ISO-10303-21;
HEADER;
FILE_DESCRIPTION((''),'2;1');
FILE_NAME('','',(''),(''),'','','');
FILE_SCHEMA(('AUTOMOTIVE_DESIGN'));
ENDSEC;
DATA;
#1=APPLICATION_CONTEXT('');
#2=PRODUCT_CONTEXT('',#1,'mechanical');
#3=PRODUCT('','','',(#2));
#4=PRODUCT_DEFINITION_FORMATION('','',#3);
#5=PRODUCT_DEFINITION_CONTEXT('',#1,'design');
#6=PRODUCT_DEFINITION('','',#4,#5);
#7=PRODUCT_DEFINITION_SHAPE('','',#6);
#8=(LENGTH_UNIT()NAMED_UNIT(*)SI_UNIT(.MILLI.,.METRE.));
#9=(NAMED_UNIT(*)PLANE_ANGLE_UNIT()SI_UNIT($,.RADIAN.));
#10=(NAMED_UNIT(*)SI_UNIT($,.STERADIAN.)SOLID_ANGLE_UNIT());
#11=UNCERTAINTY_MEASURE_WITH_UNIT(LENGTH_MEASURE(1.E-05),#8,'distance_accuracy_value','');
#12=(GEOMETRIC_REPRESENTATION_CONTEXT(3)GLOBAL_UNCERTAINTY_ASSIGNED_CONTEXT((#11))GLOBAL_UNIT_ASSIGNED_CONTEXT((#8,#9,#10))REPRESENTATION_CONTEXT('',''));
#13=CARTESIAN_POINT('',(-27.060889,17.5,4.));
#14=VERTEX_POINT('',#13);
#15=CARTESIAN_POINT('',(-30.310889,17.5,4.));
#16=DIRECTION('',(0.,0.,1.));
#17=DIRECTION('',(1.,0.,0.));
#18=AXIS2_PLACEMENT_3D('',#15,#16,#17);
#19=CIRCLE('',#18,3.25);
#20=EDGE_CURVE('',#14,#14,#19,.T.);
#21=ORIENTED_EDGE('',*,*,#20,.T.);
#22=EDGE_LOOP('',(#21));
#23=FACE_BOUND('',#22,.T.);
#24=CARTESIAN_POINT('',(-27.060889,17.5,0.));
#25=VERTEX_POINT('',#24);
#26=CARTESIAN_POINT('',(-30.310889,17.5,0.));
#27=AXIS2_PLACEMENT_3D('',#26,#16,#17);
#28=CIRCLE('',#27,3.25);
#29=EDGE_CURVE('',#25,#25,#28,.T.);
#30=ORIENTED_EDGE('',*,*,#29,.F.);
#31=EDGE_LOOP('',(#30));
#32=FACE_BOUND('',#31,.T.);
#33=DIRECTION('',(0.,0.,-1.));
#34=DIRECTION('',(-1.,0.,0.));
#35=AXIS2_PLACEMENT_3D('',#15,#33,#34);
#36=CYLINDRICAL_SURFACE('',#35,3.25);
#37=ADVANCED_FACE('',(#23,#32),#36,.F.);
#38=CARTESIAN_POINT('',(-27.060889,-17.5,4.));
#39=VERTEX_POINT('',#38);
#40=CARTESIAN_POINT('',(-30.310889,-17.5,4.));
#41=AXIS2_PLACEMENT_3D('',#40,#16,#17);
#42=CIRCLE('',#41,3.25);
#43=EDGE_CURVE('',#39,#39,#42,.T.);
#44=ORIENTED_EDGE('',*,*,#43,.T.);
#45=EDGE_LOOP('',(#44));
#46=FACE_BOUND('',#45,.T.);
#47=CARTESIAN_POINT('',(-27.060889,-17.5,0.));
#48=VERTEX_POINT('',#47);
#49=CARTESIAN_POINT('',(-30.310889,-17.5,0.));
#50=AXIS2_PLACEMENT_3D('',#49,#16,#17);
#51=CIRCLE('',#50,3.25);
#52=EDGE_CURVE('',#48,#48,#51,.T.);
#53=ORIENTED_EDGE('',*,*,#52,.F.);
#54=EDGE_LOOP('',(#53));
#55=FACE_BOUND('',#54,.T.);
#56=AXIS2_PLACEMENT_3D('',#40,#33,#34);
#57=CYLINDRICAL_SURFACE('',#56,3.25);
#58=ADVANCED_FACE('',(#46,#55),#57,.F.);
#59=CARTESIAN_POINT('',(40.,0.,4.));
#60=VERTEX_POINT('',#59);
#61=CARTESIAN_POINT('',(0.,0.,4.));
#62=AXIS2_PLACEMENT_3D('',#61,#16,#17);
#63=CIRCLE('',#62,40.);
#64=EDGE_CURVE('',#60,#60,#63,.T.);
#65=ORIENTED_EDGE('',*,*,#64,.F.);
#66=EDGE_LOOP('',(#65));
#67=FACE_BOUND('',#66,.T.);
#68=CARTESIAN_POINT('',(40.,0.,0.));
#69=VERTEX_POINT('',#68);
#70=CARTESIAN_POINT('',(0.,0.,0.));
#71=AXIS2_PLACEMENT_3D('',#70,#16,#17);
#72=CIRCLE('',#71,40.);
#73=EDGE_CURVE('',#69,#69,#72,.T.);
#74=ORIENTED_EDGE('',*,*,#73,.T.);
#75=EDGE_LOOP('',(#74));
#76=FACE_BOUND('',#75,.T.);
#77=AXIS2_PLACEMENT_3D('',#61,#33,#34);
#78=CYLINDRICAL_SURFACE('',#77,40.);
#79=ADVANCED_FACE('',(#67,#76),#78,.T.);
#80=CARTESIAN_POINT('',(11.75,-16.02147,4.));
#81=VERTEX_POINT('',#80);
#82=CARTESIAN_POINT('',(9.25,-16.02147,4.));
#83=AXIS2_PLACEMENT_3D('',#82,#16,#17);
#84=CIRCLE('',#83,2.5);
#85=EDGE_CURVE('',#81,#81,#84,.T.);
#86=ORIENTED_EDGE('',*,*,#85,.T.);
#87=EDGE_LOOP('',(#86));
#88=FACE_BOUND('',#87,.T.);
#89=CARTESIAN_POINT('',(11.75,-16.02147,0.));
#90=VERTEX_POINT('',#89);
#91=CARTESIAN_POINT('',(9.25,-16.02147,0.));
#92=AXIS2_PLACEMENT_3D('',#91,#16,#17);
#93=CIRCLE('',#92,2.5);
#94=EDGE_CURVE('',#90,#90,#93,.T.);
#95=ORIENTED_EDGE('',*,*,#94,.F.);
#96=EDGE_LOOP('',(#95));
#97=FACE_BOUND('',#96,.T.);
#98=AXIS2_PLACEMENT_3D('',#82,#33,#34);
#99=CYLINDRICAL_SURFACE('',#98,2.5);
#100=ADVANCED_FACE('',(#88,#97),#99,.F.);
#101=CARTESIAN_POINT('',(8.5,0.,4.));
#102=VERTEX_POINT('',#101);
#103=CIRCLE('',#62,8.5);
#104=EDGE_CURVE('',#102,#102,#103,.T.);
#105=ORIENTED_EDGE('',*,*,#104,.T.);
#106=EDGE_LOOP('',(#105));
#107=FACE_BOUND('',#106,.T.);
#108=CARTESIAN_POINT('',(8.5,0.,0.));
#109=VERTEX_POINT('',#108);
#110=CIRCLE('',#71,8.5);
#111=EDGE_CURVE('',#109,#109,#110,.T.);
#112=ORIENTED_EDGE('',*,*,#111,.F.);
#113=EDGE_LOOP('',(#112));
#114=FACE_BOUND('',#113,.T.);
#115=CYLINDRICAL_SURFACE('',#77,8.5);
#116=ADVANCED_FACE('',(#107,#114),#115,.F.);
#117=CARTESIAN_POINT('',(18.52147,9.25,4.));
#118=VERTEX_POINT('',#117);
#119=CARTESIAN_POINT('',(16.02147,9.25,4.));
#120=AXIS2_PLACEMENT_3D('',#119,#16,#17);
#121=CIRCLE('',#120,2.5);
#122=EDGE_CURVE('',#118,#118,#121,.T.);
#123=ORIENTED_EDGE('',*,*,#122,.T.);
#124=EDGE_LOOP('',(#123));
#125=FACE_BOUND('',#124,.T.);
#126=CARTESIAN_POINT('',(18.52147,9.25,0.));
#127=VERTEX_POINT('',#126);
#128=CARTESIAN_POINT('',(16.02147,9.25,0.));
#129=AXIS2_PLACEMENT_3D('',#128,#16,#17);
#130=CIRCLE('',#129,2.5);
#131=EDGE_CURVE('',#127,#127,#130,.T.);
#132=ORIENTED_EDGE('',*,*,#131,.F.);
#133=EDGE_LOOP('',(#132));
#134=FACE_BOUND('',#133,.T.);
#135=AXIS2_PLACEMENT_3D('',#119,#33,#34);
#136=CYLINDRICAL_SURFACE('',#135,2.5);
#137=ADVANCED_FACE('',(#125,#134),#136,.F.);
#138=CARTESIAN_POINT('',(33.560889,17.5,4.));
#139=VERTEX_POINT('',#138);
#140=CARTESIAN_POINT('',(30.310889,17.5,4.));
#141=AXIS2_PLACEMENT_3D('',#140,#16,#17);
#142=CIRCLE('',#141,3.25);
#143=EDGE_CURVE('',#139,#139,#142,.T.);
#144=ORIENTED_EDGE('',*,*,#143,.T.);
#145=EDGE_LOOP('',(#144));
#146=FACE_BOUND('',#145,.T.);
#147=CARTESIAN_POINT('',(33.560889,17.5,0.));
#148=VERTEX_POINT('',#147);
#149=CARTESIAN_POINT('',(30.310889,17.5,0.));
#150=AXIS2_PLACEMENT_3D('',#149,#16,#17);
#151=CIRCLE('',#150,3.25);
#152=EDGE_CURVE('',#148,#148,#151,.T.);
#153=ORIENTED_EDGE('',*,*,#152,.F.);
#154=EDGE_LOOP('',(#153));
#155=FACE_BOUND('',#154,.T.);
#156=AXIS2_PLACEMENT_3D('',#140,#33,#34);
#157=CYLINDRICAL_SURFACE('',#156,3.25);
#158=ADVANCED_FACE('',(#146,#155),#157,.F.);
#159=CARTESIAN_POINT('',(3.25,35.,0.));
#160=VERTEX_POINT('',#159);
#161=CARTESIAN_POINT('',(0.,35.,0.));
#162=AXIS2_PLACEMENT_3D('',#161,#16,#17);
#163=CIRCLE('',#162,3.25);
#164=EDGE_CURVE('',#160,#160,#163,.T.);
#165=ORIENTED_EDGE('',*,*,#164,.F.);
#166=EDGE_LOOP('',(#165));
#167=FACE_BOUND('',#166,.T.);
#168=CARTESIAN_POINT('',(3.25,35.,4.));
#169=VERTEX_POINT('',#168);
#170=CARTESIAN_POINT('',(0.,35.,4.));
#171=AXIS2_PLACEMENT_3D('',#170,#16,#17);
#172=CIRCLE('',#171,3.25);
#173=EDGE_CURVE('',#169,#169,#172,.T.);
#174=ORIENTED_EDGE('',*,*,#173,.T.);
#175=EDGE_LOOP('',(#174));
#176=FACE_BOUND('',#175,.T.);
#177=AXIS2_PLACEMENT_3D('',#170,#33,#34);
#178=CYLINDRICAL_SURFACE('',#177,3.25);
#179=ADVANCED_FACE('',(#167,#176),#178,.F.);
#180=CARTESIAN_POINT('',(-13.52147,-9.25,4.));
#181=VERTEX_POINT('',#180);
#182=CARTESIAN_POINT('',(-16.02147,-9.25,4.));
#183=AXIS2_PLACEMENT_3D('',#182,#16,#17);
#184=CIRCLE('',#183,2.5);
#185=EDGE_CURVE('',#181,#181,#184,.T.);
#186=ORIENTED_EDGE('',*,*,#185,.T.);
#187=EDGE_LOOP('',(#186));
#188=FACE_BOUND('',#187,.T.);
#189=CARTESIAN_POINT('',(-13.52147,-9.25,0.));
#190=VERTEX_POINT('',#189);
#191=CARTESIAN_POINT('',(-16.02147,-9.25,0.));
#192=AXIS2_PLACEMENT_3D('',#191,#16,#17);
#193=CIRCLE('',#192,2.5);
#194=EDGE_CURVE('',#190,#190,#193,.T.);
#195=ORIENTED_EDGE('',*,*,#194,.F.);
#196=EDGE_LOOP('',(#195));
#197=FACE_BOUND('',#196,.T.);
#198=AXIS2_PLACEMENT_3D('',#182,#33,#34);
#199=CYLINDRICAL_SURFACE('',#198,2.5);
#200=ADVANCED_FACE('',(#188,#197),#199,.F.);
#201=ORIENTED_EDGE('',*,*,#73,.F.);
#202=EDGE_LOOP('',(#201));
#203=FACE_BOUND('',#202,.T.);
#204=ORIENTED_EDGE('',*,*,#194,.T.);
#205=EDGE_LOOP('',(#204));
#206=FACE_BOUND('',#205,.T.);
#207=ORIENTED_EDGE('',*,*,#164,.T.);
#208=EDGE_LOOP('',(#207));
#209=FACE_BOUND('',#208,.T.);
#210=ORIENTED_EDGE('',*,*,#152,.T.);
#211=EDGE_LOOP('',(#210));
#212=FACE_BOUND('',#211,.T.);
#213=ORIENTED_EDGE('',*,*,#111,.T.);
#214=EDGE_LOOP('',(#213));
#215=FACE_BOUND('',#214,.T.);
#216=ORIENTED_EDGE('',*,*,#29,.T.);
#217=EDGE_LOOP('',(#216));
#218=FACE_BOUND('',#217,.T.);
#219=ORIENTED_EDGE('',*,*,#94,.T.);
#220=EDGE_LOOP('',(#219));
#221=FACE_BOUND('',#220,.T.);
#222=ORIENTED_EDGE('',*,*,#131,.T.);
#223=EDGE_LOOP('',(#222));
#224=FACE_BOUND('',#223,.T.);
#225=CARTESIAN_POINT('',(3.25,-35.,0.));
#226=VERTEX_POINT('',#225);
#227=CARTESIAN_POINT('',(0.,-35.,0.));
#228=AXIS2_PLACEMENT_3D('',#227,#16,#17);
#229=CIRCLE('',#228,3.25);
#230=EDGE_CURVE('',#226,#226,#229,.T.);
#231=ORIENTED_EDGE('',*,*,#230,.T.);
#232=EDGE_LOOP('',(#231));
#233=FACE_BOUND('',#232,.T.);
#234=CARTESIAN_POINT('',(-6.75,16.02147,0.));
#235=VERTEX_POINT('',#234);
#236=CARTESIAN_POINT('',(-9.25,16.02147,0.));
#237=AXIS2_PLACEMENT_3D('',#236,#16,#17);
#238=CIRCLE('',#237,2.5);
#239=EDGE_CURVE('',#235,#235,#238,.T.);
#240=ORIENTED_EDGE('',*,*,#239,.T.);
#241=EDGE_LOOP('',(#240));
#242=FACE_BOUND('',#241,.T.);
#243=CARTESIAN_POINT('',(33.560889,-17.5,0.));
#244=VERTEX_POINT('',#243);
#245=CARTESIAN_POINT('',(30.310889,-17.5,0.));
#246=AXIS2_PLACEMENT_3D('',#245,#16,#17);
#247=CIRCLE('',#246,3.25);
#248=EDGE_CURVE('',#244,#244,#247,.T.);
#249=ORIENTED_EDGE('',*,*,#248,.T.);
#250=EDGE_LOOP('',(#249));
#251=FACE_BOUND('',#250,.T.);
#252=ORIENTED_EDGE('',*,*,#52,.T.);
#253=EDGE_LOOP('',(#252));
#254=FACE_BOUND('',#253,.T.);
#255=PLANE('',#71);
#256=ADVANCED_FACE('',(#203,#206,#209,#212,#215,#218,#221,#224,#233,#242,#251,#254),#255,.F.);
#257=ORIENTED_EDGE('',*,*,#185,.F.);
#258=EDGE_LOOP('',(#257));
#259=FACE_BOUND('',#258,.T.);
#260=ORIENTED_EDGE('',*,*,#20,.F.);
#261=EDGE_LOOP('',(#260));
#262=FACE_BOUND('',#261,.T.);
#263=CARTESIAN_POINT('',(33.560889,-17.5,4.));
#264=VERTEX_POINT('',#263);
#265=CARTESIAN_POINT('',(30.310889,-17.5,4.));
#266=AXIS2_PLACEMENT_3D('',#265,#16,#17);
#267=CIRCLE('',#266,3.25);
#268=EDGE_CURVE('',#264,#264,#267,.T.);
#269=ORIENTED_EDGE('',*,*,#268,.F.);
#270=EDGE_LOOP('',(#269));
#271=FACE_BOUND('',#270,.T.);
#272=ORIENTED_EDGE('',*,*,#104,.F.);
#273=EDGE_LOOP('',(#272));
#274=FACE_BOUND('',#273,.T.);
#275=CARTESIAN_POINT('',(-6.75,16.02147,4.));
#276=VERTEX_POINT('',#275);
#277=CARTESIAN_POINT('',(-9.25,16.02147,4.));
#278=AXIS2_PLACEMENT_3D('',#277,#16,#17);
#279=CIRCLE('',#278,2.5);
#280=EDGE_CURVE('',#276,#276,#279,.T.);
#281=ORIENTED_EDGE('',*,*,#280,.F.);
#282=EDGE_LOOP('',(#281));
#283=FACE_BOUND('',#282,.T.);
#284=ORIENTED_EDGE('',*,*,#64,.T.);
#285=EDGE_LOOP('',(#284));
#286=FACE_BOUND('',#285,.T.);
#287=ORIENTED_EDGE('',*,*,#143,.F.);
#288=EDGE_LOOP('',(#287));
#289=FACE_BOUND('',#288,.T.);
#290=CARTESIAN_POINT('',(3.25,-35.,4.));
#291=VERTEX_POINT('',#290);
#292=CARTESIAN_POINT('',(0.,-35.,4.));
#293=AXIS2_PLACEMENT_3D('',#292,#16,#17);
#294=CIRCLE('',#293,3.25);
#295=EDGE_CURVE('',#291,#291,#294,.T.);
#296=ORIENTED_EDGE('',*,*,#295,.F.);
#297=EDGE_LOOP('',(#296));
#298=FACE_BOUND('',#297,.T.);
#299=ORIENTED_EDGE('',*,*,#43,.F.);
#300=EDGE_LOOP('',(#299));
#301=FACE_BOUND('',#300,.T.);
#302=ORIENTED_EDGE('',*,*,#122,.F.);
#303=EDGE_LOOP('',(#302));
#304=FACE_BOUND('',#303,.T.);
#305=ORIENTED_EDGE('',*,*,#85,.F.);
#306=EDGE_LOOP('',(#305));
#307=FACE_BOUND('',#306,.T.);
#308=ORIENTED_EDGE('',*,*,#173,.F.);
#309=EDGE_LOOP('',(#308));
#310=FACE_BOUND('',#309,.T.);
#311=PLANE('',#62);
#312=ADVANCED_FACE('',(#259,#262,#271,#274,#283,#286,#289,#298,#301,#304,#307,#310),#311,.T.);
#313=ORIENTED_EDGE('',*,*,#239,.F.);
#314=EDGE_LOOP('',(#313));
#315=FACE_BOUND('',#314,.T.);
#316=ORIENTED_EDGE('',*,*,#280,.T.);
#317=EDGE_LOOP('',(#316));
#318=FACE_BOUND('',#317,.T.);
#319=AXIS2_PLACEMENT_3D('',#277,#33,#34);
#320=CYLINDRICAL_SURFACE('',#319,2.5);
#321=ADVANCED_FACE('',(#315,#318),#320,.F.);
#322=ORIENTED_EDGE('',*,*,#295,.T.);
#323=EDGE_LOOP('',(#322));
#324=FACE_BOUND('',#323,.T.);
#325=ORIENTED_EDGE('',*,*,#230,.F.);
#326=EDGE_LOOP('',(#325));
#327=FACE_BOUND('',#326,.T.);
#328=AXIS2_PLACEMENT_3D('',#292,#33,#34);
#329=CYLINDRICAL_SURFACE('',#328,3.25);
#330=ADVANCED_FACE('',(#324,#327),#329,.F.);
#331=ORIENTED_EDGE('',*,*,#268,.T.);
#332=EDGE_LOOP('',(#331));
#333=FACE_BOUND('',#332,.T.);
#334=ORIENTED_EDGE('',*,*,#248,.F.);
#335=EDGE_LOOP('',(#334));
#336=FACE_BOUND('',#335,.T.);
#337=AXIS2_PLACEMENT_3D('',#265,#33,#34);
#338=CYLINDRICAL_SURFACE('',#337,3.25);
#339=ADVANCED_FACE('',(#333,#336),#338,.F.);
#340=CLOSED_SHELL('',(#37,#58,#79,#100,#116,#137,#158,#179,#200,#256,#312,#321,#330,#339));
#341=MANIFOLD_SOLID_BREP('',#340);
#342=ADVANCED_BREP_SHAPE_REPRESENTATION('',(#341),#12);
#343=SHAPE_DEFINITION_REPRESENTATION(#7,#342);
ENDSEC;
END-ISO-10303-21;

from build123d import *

# Parameters (mm, degrees)
SKETCH_1_R      = 40
SKETCH_1_R_2    = 3.25
SKETCH_1_R_3    = 8.5
SKETCH_1_R_4    = 2.5
EXTRUDE_1_DEPTH = 4


with BuildPart() as part:
    # 草图1 → 凸台-拉伸1 (new body)
    with BuildSketch(Plane.XY):
        Circle(SKETCH_1_R)
        with Locations((0, 35)):
            Circle(SKETCH_1_R_2, mode=Mode.SUBTRACT)
        with Locations((30.310889132, 17.5)):
            Circle(SKETCH_1_R_2, mode=Mode.SUBTRACT)
        with Locations((30.310889132, -17.5)):
            Circle(SKETCH_1_R_2, mode=Mode.SUBTRACT)
        with Locations((0, -35)):
            Circle(SKETCH_1_R_2, mode=Mode.SUBTRACT)
        with Locations((-30.310889132, -17.5)):
            Circle(SKETCH_1_R_2, mode=Mode.SUBTRACT)
        with Locations((-30.310889132, 17.5)):
            Circle(SKETCH_1_R_2, mode=Mode.SUBTRACT)
        Circle(SKETCH_1_R_3, mode=Mode.SUBTRACT)
        with Locations((-9.25, 16.02146997)):
            Circle(SKETCH_1_R_4, mode=Mode.SUBTRACT)
        with Locations((16.02146997, 9.25)):
            Circle(SKETCH_1_R_4, mode=Mode.SUBTRACT)
        with Locations((9.25, -16.02146997)):
            Circle(SKETCH_1_R_4, mode=Mode.SUBTRACT)
        with Locations((-16.02146997, -9.25)):
            Circle(SKETCH_1_R_4, mode=Mode.SUBTRACT)
    extrude(amount=EXTRUDE_1_DEPTH)


solid = part.part
